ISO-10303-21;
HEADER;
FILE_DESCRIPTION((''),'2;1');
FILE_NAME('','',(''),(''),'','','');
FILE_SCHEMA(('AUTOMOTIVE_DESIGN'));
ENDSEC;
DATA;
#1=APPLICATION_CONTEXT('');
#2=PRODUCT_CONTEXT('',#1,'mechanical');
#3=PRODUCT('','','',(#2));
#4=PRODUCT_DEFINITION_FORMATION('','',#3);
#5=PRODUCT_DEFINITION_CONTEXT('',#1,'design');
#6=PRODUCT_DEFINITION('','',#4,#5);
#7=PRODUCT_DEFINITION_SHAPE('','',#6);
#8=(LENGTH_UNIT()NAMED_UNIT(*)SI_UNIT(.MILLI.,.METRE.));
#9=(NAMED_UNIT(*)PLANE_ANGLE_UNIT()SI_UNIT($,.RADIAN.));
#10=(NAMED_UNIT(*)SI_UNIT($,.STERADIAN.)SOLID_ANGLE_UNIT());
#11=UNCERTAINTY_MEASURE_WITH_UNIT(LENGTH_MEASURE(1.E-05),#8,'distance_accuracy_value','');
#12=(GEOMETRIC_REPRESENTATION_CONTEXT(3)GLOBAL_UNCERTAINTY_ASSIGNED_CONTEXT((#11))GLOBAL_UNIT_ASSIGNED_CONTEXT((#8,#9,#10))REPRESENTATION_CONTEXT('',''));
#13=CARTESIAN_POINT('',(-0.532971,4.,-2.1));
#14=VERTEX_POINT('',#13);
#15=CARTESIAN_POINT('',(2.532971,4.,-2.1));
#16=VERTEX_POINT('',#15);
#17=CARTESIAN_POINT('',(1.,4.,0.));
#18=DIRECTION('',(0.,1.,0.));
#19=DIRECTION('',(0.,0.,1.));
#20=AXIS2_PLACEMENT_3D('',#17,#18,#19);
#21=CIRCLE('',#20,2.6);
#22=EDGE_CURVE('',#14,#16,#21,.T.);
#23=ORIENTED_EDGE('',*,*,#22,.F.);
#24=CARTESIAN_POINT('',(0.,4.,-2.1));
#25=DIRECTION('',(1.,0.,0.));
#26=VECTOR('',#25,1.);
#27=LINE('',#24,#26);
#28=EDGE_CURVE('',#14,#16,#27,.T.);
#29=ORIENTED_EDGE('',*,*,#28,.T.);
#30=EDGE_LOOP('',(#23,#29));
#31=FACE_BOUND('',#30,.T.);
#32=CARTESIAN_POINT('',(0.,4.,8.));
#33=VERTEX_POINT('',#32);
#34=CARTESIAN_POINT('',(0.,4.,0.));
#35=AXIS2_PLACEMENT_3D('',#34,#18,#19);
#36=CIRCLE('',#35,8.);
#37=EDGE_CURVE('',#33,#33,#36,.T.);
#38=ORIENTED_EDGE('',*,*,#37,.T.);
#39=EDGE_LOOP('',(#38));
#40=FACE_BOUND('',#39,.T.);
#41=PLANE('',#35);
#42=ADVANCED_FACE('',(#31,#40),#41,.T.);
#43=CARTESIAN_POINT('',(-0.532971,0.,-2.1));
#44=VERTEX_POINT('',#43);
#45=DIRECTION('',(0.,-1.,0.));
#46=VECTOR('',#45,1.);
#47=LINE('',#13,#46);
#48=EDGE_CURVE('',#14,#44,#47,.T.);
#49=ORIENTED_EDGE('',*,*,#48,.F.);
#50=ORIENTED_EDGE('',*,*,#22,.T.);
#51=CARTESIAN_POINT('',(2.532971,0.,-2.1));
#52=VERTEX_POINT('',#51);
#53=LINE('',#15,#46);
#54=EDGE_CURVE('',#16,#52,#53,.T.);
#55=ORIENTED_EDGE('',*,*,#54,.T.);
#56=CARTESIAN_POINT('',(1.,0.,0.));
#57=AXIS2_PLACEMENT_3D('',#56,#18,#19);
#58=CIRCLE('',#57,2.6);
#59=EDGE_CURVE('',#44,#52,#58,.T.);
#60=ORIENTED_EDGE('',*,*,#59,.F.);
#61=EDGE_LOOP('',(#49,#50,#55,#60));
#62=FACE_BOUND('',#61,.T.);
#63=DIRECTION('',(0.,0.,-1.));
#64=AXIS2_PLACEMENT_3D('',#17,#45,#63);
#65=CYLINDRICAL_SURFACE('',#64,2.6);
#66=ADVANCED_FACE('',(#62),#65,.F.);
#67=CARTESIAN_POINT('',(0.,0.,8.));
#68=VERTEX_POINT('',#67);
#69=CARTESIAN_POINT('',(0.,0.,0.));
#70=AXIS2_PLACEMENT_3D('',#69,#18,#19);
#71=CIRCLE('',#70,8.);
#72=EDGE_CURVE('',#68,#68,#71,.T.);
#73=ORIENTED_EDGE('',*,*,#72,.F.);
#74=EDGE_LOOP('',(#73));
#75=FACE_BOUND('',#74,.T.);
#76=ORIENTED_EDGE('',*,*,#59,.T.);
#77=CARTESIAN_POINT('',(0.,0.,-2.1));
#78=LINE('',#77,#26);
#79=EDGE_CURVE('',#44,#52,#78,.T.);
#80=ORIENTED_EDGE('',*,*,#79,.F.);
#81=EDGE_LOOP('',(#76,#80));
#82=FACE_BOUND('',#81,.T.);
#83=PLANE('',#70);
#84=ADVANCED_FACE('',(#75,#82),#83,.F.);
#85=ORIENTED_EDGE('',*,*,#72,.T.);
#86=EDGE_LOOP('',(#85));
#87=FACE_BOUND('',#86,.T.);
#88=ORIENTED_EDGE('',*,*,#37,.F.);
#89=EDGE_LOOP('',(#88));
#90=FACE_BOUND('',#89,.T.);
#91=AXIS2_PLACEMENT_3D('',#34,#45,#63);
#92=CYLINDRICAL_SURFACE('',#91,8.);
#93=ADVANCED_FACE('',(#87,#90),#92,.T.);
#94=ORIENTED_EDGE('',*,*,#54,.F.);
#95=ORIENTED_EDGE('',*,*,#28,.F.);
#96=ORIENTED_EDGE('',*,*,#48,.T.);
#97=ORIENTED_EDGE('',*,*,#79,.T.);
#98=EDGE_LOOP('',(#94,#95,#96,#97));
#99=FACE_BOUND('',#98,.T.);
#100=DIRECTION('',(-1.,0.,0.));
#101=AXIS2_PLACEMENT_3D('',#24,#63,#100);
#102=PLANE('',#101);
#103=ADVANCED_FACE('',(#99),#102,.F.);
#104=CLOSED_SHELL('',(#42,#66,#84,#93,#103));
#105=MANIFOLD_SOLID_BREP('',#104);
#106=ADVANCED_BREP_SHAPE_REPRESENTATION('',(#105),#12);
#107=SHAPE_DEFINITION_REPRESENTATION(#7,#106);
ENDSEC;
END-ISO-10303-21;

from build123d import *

# Parameters (mm, degrees)
SKETCH1_R           = 8
BOSS_EXTRUDE1_DEPTH = 4


with BuildPart() as part:
    # Sketch1 → Boss-Extrude1 (new body)
    with BuildSketch(Plane(origin=(0, 0, 0), x_dir=(1, 0, 0), z_dir=(0, 1, 0))):
        with Locations(Location((0, 0, 0), (0, 0, 270))):
            Circle(SKETCH1_R)
        with BuildLine():
            Line((-0.532970972, 2.1), (2.532970972, 2.1))
            ThreePointArc((2.532970972, 2.1), (1, -2.6), (-0.532970972, 2.1))
        make_face(mode=Mode.SUBTRACT)
    extrude(amount=BOSS_EXTRUDE1_DEPTH)


solid = part.part
